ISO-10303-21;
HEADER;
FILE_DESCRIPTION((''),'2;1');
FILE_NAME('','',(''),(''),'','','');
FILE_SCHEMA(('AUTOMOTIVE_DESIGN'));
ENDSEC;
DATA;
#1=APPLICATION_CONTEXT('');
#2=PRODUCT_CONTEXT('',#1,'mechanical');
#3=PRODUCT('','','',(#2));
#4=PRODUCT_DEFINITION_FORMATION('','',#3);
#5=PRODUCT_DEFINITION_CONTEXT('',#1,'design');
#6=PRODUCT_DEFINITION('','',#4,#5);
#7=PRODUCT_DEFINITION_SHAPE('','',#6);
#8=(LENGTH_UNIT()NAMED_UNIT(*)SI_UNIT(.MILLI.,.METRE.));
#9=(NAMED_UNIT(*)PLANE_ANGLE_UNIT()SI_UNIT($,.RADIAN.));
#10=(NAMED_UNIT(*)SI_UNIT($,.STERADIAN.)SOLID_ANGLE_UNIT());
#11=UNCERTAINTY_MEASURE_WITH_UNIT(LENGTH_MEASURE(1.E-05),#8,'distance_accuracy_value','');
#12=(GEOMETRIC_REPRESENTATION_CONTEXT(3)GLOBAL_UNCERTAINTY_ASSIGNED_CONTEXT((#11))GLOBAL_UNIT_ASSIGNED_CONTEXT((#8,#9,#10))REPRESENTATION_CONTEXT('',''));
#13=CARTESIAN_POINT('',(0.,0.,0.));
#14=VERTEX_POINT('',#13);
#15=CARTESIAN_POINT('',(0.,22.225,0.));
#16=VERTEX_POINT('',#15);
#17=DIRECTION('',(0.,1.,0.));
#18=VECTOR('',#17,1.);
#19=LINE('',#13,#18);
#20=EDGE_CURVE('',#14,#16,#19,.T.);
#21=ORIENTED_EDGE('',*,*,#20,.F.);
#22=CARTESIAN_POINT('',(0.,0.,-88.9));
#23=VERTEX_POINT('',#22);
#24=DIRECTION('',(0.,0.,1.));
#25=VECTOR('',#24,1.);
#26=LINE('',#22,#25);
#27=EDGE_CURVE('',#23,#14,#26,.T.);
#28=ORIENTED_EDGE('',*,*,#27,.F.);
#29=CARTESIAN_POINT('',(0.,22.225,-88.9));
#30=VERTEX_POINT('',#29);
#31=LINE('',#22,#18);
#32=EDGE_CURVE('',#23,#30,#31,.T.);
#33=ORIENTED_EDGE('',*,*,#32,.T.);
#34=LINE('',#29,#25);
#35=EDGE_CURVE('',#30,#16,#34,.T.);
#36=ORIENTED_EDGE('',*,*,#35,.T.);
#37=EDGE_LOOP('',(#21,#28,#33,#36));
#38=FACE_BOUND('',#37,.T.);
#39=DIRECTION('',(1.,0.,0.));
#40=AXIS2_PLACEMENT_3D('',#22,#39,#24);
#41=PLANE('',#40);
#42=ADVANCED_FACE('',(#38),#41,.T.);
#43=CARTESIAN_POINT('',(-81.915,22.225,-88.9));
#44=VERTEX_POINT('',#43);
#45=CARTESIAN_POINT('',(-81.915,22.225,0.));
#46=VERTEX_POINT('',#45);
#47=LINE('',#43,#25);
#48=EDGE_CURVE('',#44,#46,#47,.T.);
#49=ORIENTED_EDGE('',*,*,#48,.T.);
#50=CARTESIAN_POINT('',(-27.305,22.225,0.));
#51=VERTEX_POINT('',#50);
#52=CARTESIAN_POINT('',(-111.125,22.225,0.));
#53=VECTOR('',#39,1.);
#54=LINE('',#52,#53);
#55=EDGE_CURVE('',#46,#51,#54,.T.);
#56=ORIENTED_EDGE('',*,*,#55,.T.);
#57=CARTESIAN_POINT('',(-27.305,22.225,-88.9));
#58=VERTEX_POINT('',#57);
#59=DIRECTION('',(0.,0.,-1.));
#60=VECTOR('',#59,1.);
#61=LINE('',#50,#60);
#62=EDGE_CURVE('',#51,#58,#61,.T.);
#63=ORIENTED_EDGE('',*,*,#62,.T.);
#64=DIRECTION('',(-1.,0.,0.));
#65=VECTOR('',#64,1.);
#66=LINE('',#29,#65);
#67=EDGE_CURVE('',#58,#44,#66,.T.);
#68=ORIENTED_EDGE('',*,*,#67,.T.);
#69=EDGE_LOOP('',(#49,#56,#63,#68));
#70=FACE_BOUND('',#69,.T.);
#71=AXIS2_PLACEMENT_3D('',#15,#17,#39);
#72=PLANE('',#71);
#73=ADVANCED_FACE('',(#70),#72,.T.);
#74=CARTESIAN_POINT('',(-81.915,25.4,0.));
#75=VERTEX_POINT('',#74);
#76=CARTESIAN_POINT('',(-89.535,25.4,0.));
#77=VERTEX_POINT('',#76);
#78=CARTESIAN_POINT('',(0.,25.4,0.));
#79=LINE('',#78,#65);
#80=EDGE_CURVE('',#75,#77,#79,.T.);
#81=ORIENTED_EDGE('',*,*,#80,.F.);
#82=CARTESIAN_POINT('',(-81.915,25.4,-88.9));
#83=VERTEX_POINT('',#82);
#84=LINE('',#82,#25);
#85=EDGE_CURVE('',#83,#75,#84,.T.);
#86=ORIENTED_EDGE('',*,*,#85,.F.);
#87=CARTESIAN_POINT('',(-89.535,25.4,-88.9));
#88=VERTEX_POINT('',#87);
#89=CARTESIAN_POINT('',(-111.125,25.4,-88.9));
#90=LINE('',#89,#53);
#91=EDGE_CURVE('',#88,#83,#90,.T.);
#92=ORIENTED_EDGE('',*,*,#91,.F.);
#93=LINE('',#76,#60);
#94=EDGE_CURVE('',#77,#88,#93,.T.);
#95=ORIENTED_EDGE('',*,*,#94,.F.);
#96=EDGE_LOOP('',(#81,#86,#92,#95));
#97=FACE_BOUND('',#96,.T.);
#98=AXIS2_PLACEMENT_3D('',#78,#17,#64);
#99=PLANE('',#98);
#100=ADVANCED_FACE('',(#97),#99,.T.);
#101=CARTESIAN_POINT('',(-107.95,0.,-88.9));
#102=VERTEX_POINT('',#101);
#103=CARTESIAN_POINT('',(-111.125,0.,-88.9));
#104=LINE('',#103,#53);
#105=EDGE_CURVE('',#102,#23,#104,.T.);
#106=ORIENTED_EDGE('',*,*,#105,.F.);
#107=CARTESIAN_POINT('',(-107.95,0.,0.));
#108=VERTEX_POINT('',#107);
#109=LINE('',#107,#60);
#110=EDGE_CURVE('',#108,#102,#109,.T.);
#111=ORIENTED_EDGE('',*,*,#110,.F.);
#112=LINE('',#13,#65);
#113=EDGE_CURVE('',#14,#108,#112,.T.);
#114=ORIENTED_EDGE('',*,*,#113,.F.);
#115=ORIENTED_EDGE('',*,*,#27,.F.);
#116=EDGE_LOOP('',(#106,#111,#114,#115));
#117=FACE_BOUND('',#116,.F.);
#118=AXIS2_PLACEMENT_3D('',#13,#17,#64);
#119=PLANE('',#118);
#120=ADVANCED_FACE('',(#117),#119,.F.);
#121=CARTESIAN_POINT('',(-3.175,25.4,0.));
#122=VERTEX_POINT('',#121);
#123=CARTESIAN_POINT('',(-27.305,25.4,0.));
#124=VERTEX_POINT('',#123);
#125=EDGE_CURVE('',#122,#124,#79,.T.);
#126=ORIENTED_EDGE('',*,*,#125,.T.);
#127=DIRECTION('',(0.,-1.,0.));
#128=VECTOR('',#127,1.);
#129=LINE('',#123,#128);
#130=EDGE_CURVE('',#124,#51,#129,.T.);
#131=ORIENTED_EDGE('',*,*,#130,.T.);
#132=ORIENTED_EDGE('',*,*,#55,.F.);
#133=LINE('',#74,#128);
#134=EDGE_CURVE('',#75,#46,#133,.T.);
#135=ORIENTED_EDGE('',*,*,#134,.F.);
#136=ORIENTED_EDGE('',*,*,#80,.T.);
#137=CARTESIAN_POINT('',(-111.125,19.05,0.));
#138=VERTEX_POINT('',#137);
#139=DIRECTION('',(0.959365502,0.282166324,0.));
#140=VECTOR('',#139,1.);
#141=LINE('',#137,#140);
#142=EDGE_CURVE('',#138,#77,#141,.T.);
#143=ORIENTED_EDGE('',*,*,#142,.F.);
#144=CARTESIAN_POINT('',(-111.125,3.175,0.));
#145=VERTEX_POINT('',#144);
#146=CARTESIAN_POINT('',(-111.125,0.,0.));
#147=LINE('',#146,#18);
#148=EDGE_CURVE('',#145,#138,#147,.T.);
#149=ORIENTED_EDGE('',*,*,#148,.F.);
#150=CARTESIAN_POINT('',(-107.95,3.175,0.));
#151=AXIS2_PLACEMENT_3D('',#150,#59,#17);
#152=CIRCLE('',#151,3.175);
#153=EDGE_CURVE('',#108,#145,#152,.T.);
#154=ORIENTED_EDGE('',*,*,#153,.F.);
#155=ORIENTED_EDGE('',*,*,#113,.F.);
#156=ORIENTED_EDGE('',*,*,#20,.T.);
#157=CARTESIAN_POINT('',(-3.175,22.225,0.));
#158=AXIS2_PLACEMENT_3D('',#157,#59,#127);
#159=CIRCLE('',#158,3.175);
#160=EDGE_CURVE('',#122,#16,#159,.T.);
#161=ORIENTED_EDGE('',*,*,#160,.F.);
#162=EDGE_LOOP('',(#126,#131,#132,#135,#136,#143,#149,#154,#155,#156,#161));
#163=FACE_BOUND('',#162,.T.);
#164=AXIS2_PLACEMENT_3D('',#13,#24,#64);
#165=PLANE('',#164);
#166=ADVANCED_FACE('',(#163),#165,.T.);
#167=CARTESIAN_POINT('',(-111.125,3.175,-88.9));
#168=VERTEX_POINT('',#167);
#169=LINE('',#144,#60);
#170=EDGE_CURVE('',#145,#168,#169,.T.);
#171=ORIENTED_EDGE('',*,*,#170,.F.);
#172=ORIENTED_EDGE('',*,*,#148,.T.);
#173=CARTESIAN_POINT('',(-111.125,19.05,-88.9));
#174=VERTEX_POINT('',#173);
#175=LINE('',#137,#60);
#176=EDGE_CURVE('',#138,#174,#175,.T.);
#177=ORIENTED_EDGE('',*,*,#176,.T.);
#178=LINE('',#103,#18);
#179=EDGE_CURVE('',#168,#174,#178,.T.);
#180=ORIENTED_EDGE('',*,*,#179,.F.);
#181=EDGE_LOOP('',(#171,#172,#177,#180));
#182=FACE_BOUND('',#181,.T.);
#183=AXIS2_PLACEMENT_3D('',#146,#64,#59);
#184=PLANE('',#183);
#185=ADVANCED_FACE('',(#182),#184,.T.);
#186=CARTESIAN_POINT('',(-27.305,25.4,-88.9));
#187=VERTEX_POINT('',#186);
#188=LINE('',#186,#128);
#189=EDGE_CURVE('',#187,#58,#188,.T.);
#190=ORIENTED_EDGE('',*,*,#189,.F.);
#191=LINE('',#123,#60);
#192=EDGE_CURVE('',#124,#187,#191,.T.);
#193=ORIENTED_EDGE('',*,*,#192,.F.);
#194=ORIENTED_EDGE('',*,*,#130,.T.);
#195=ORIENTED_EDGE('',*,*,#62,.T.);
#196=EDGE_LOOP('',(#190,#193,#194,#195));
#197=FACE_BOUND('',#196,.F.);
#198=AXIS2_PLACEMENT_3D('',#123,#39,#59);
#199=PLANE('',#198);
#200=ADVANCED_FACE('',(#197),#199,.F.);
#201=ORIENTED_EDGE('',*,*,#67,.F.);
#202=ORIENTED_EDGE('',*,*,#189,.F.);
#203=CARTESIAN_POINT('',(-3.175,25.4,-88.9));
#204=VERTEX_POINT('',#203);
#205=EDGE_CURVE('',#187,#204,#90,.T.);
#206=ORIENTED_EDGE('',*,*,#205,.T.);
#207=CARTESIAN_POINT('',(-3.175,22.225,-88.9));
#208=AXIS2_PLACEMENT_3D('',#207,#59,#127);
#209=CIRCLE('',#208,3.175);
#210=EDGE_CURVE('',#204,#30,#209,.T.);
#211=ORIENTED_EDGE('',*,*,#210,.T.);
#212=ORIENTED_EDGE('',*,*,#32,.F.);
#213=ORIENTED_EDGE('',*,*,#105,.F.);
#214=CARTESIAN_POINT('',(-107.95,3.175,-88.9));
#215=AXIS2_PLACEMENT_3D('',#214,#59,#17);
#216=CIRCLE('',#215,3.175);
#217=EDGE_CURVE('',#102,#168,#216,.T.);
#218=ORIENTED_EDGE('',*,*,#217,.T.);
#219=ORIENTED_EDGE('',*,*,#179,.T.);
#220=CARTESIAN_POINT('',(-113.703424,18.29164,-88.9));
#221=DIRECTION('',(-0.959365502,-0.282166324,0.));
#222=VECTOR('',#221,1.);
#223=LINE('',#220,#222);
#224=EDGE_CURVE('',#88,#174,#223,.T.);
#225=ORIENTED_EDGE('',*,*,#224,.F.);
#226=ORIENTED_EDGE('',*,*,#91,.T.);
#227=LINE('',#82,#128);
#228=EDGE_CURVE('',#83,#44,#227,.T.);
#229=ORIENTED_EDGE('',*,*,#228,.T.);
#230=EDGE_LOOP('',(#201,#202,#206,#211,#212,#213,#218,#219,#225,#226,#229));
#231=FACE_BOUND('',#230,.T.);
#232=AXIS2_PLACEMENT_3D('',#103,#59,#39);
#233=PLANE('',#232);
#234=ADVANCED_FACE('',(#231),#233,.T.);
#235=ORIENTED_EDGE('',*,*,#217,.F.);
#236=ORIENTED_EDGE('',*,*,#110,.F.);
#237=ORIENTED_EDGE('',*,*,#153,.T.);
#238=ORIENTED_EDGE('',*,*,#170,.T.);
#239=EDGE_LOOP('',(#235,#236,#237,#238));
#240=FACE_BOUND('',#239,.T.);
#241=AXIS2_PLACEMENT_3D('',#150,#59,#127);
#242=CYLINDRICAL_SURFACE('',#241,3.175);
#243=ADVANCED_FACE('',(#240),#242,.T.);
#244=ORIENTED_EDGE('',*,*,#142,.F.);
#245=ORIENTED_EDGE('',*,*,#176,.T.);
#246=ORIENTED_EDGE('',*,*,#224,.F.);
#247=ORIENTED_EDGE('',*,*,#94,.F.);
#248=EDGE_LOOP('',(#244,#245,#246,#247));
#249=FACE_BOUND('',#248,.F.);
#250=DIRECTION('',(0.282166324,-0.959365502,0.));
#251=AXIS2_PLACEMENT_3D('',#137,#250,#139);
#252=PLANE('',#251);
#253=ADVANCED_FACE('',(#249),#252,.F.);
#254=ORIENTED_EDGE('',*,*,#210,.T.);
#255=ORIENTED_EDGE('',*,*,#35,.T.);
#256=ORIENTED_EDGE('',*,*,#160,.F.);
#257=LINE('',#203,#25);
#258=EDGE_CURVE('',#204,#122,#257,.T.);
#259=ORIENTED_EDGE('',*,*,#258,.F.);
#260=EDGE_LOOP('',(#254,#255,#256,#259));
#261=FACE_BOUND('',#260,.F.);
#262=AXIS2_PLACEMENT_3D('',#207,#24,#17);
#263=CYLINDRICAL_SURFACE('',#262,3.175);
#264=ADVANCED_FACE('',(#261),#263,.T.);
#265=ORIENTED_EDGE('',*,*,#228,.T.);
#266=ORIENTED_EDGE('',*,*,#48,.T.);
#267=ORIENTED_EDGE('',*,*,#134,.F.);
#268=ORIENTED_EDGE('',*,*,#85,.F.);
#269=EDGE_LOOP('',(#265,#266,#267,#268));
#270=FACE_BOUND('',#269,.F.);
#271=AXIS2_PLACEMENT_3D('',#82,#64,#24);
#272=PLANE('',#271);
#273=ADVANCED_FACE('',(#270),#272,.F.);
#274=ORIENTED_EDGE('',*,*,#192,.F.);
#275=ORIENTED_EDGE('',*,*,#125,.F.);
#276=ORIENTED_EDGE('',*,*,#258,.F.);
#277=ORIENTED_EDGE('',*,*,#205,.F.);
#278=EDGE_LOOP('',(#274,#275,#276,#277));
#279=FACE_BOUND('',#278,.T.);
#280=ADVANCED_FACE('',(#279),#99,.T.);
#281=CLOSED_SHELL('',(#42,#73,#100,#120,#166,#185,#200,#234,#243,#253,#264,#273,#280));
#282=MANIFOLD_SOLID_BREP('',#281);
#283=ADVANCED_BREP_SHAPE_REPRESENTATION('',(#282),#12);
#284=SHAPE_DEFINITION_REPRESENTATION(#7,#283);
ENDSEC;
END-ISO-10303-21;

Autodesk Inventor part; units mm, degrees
ref_plane "YZ Plane" through (0, 0, 0) normal (1, 0, 0) x (0, 1, 0)
ref_plane "XZ Plane" through (0, 0, 0) normal (0, 1, 0) x (-1, 0, 0)
ref_plane "XY Plane" through (0, 0, 0) normal (0, 0, 1) x (1, 0, 0)
sketch "Sketch1" plane through (0, 0, 0) normal (0, 1, 0) x (-1, 0, 0)
  line L0 (0, 0) -> (111.125, 0)
  line L1 (111.125, 0) -> (111.125, -88.9)
  line L2 (111.125, -88.9) -> (0, -88.9)
  line L3 (0, -88.9) -> (0, 0)
  dimension "d0" = 111.125
  dimension "d1" = 88.9
extrude "Extrusion1" add sketch "Sketch1" along normal blind 25.4
sketch "Sketch2" plane through (0, 25.4, 0) normal (0, 1, 0) x (1, 0, 0)
  line L0 (0, 88.9) -> (-111.125, 88.9) projected
  line L1 (-111.125, 0) -> (0, 0) projected
  line L2 (-27.305, 88.9) -> (-81.915, 88.9)
  line L3 (-81.915, 88.9) -> (-81.915, 0)
  line L4 (-81.915, 0) -> (-27.305, 0)
  line L5 (-27.305, 0) -> (-27.305, 88.9)
  line L6 (0, 0) -> (0, 88.9) projected
  dimension "d4" = 111.125
  dimension "d5" = 54.61
  dimension "d6" = 27.305
extrude "Extrusion2" cut sketch "Sketch2" against normal blind 3.175 contours L5 L1 L3 L0
sketch "Sketch4" plane through (-111.125, 0, 0) normal (0, 0, 1) x (1, 0, 0)
  line L0 (0, 0) -> (0, 25.4) projected
  line L1 (0, 19.05) -> (21.59, 25.4)
  line L2 (0, 25.4) -> (29.21, 25.4) projected
  point P0 (111.125, 0)
  dimension "d17" = 6.35
  dimension "d18" = 7.62
extrude "Extrusion4" cut sketch "Sketch4" against normal through all
fillet "Fillet2" radius 3.175 2 edges at (-111.125, 0, -44.45) (0, 25.4, -44.45)
properties part number "lift holder" material "PC/ABS Plastic"
